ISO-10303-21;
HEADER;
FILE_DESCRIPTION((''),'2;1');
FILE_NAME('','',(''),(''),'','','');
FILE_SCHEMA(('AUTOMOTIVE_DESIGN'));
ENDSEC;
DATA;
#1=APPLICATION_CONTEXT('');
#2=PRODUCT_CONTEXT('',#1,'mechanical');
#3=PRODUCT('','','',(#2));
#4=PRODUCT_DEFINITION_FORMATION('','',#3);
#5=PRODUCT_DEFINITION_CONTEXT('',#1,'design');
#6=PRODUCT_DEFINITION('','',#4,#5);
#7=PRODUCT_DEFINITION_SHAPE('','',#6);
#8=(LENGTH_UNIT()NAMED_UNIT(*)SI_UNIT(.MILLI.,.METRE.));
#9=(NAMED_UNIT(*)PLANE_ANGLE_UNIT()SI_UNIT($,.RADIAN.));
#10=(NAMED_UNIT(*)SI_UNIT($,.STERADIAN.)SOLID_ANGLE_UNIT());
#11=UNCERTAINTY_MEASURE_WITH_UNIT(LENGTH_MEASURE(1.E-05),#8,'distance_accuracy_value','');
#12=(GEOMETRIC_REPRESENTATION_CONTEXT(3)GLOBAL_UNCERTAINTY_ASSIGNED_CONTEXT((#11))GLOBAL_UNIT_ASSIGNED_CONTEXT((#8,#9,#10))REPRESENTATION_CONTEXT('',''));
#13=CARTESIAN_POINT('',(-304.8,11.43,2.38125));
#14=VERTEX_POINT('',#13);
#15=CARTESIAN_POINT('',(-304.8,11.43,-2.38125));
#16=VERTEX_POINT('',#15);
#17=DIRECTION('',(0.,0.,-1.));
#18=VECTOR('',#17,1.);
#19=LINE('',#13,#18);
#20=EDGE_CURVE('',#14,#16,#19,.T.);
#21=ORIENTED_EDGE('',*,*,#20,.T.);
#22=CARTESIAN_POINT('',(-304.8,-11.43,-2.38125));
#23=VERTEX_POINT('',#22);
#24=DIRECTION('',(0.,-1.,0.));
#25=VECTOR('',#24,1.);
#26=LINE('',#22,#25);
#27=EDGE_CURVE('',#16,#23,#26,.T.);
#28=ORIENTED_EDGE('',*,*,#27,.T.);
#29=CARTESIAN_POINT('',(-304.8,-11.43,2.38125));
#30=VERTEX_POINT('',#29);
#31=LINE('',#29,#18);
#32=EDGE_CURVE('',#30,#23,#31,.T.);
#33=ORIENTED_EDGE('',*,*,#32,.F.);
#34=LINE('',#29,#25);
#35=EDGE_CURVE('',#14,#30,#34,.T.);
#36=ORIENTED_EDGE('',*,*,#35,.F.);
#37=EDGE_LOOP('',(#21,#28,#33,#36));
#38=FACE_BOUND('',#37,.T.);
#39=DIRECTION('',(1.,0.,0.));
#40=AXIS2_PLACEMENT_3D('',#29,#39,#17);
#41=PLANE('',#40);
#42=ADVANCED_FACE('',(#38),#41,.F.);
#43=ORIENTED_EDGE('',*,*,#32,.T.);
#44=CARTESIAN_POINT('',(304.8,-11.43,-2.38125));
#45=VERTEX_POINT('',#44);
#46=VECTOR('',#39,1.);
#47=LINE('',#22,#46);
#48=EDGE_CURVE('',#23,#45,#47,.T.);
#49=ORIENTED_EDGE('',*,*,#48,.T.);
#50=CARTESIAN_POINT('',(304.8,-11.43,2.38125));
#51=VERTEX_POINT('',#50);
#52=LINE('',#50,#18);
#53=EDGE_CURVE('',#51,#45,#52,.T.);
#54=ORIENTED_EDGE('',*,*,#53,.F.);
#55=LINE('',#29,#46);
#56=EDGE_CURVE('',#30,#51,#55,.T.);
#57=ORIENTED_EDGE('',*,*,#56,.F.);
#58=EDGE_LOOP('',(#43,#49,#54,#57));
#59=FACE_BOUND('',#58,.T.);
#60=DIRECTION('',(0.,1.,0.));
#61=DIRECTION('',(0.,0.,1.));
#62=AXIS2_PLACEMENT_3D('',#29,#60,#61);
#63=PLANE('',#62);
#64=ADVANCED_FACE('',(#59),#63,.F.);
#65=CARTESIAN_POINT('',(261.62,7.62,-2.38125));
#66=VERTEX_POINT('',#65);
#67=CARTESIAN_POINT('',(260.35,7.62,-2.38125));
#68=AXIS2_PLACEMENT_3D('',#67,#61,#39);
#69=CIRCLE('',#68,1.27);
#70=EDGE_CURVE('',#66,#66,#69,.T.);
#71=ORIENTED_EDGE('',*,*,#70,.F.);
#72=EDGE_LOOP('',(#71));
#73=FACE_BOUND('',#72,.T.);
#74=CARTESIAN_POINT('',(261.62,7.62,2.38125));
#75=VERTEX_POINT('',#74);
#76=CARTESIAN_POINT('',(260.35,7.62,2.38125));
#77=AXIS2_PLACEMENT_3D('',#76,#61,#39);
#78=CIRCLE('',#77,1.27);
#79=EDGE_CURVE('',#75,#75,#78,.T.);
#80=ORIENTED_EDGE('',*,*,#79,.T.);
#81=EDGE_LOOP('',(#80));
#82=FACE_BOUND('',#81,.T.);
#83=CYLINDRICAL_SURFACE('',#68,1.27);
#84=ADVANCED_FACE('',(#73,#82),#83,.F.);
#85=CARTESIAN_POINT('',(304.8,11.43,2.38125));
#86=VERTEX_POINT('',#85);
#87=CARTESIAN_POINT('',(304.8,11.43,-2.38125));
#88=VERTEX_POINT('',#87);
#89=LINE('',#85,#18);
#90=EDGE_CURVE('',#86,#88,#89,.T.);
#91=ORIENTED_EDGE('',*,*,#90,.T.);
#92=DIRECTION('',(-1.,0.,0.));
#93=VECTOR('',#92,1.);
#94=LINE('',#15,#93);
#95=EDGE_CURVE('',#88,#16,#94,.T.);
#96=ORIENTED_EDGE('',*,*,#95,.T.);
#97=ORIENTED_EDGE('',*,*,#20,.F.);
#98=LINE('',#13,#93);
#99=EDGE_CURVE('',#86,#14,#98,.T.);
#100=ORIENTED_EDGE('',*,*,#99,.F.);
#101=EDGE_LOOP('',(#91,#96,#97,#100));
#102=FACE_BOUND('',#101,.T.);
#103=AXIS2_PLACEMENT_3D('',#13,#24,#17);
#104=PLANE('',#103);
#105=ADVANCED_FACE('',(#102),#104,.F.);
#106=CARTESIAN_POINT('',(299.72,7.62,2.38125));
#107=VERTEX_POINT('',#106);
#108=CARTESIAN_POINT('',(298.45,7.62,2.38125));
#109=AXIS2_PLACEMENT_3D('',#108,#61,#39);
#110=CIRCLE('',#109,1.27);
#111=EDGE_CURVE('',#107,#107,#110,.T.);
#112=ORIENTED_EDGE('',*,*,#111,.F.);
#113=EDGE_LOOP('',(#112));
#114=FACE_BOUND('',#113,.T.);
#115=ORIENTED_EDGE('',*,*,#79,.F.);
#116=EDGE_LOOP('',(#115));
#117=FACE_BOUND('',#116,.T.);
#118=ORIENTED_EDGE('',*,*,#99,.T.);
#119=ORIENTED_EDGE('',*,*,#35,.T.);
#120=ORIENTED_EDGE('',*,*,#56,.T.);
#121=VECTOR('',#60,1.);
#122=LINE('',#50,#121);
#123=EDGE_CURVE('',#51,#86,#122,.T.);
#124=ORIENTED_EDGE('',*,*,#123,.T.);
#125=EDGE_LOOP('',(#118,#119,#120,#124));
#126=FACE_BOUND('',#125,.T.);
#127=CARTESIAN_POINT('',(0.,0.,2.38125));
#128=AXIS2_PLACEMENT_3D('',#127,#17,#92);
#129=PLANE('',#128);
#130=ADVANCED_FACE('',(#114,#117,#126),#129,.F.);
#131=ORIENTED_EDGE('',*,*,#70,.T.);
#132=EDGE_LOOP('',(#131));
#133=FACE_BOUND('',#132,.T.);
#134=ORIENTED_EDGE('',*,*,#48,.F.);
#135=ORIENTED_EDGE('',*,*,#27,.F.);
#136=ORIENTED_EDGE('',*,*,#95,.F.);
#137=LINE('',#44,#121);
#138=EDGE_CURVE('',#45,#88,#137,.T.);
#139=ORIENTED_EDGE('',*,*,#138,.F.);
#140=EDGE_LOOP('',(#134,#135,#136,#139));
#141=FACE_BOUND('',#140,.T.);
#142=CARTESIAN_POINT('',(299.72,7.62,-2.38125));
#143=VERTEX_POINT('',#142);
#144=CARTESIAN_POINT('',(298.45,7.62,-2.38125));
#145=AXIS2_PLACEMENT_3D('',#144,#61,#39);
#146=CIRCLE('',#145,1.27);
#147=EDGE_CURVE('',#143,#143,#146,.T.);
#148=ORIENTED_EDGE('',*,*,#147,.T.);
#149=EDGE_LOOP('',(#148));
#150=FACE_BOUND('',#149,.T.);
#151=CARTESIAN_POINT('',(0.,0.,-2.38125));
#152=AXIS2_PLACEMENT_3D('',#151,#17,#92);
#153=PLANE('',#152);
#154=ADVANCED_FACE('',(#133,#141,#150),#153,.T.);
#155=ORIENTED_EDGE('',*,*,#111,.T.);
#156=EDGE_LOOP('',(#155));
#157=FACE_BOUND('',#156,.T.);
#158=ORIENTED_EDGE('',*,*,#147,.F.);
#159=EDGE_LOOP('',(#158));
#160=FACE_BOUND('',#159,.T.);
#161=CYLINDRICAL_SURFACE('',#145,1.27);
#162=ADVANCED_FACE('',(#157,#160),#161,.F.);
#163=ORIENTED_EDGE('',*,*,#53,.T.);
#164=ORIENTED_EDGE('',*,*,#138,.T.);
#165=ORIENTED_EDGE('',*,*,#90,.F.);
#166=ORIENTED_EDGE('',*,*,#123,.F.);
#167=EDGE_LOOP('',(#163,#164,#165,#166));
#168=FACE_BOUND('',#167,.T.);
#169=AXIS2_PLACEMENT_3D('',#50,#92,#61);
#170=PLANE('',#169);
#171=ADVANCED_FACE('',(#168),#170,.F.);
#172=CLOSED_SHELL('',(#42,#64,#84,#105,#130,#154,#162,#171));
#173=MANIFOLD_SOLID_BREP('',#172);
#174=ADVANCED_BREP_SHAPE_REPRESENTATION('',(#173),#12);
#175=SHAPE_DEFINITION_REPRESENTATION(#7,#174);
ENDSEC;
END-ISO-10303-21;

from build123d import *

# Parameters (mm, degrees)
SKETCH1_W           = 609.6
SKETCH1_H           = 22.86
BOSS_EXTRUDE1_DEPTH = 2.38125
SKETCH4_R           = 1.27
CUT_EXTRUDE3_DEPTH  = 5.7625


with BuildPart() as part:
    # Sketch1 → Boss-Extrude1 (new body, symmetric)
    with BuildSketch(Plane.XY):
        Rectangle(SKETCH1_W, SKETCH1_H)
    extrude(amount=BOSS_EXTRUDE1_DEPTH, both=True)

    # Sketch4 → Cut-Extrude3 (cut, through all)
    with BuildSketch(Plane.XY.offset(2.38125)):
        with Locations((260.35, 7.62)):
            Circle(SKETCH4_R)
        with Locations((298.45, 7.62)):
            Circle(SKETCH4_R)
    extrude(amount=-CUT_EXTRUDE3_DEPTH, mode=Mode.SUBTRACT)


solid = part.part
